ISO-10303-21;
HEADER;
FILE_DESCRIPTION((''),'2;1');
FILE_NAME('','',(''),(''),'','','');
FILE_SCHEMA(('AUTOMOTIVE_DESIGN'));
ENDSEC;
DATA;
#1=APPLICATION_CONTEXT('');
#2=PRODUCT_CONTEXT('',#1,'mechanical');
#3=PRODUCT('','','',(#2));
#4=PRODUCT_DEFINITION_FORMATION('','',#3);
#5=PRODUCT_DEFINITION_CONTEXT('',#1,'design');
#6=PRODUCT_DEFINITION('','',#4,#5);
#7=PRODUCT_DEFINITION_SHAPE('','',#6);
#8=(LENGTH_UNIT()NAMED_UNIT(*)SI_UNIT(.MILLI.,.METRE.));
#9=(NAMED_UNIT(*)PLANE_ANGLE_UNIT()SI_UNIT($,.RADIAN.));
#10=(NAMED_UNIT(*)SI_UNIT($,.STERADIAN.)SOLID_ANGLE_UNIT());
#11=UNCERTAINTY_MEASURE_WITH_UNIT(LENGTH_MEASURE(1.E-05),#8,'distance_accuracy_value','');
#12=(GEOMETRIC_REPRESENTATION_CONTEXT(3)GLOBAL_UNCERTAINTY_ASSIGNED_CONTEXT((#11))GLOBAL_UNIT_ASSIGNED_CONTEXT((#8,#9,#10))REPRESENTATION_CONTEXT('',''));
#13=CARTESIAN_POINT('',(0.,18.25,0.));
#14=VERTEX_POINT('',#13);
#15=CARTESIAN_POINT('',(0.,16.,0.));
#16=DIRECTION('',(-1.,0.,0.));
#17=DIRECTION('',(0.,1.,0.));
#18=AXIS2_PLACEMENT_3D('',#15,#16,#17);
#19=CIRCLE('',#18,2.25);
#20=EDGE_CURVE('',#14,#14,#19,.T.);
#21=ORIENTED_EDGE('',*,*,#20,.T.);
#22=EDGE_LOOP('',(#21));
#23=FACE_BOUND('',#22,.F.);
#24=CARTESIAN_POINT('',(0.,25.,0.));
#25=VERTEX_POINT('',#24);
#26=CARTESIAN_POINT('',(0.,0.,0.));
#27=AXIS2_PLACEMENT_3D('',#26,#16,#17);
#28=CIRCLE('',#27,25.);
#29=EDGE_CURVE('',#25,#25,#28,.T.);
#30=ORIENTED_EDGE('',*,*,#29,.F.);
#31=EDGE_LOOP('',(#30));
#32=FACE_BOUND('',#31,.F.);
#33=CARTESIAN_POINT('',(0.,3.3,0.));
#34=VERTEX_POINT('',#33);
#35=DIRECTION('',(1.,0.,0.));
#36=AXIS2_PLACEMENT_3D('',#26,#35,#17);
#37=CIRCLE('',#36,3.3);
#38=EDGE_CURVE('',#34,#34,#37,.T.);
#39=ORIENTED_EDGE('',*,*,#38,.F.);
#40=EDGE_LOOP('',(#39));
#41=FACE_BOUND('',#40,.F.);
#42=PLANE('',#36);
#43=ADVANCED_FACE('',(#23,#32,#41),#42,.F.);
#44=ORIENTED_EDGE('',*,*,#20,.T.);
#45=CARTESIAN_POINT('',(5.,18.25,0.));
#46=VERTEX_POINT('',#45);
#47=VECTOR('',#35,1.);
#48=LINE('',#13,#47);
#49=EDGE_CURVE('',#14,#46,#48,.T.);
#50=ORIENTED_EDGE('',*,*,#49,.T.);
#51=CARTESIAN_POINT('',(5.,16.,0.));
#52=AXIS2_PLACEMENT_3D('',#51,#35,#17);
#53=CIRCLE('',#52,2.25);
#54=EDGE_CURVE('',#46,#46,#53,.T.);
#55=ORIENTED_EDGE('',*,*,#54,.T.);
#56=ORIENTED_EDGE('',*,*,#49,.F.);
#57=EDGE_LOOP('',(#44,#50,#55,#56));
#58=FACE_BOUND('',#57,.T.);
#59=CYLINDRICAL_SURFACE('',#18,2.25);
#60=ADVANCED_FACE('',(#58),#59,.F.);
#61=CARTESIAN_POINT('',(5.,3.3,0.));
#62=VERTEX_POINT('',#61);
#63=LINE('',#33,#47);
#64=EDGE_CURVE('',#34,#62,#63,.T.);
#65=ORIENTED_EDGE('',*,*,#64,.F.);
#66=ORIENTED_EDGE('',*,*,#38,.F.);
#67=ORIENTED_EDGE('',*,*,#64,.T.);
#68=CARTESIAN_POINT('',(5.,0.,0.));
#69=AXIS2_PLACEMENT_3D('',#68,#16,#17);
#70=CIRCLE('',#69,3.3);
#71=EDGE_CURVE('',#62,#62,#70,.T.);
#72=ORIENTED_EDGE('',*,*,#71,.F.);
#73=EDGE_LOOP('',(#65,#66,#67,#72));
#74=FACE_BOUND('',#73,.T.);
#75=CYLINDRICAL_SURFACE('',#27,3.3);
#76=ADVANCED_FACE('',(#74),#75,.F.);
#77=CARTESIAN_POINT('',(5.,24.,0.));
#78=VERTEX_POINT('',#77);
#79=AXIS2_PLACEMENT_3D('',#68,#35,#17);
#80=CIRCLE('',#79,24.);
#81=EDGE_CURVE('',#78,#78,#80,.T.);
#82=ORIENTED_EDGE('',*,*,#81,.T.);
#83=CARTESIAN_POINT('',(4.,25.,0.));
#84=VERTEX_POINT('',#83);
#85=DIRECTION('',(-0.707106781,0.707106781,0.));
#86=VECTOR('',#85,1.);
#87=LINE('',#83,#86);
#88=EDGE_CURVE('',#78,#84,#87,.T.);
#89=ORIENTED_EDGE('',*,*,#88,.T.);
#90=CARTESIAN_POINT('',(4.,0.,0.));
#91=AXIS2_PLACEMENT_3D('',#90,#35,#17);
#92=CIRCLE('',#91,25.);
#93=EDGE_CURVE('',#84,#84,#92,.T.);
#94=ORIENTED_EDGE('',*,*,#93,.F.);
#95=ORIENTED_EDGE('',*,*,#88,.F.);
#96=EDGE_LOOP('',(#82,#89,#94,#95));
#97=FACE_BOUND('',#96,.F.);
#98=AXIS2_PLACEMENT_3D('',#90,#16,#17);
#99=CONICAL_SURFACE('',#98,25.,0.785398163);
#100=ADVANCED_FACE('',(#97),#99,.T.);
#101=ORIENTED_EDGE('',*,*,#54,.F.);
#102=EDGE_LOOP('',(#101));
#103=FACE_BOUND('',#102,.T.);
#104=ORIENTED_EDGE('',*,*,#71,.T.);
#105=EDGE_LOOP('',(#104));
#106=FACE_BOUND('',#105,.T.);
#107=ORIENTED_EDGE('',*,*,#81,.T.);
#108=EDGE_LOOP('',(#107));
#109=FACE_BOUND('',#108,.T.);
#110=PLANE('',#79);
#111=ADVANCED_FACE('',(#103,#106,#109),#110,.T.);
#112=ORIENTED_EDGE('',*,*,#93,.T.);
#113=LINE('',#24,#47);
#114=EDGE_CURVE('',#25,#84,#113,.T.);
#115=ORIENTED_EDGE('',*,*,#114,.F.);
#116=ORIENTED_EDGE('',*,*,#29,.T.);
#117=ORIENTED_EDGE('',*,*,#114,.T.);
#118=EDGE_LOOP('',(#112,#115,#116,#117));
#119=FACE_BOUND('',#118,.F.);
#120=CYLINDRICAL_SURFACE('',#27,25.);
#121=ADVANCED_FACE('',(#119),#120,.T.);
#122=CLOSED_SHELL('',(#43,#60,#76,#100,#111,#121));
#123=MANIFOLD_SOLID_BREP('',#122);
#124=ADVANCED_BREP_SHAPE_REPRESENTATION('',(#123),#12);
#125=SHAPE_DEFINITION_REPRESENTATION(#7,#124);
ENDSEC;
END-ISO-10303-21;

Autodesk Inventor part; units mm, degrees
ref_plane "YZ Plane" through (0, 0, 0) normal (1, 0, 0) x (0, 1, 0)
ref_plane "XZ Plane" through (0, 0, 0) normal (0, 1, 0) x (-1, 0, 0)
ref_plane "XY Plane" through (0, 0, 0) normal (0, 0, 1) x (1, 0, 0)
sketch "Эскиз1" plane through (0, 0, 0) normal (1, 0, 0) x (0, 1, 0)
  circle A0 centre (0, 0) radius 25
  circle A1 centre (0, 0) radius 3.3
  circle A2 centre (16, 0) radius 2.25
  line L0 (-35, 0) -> (35, 0) projected
  dimension "d0" = 50
  dimension "d1" = 6.6
  dimension "d2" = 4.5
  dimension "d3" = 16
extrude "Выдавливание1" add sketch "Эскиз1" along normal blind 5 contours L0 A2 A1 A0 | A0 L0 A1 A2
chamfer "Фаска1" distance 1 angle 45 1 edges at (5, -25, 0)
properties part number "шайба концевая 50"
